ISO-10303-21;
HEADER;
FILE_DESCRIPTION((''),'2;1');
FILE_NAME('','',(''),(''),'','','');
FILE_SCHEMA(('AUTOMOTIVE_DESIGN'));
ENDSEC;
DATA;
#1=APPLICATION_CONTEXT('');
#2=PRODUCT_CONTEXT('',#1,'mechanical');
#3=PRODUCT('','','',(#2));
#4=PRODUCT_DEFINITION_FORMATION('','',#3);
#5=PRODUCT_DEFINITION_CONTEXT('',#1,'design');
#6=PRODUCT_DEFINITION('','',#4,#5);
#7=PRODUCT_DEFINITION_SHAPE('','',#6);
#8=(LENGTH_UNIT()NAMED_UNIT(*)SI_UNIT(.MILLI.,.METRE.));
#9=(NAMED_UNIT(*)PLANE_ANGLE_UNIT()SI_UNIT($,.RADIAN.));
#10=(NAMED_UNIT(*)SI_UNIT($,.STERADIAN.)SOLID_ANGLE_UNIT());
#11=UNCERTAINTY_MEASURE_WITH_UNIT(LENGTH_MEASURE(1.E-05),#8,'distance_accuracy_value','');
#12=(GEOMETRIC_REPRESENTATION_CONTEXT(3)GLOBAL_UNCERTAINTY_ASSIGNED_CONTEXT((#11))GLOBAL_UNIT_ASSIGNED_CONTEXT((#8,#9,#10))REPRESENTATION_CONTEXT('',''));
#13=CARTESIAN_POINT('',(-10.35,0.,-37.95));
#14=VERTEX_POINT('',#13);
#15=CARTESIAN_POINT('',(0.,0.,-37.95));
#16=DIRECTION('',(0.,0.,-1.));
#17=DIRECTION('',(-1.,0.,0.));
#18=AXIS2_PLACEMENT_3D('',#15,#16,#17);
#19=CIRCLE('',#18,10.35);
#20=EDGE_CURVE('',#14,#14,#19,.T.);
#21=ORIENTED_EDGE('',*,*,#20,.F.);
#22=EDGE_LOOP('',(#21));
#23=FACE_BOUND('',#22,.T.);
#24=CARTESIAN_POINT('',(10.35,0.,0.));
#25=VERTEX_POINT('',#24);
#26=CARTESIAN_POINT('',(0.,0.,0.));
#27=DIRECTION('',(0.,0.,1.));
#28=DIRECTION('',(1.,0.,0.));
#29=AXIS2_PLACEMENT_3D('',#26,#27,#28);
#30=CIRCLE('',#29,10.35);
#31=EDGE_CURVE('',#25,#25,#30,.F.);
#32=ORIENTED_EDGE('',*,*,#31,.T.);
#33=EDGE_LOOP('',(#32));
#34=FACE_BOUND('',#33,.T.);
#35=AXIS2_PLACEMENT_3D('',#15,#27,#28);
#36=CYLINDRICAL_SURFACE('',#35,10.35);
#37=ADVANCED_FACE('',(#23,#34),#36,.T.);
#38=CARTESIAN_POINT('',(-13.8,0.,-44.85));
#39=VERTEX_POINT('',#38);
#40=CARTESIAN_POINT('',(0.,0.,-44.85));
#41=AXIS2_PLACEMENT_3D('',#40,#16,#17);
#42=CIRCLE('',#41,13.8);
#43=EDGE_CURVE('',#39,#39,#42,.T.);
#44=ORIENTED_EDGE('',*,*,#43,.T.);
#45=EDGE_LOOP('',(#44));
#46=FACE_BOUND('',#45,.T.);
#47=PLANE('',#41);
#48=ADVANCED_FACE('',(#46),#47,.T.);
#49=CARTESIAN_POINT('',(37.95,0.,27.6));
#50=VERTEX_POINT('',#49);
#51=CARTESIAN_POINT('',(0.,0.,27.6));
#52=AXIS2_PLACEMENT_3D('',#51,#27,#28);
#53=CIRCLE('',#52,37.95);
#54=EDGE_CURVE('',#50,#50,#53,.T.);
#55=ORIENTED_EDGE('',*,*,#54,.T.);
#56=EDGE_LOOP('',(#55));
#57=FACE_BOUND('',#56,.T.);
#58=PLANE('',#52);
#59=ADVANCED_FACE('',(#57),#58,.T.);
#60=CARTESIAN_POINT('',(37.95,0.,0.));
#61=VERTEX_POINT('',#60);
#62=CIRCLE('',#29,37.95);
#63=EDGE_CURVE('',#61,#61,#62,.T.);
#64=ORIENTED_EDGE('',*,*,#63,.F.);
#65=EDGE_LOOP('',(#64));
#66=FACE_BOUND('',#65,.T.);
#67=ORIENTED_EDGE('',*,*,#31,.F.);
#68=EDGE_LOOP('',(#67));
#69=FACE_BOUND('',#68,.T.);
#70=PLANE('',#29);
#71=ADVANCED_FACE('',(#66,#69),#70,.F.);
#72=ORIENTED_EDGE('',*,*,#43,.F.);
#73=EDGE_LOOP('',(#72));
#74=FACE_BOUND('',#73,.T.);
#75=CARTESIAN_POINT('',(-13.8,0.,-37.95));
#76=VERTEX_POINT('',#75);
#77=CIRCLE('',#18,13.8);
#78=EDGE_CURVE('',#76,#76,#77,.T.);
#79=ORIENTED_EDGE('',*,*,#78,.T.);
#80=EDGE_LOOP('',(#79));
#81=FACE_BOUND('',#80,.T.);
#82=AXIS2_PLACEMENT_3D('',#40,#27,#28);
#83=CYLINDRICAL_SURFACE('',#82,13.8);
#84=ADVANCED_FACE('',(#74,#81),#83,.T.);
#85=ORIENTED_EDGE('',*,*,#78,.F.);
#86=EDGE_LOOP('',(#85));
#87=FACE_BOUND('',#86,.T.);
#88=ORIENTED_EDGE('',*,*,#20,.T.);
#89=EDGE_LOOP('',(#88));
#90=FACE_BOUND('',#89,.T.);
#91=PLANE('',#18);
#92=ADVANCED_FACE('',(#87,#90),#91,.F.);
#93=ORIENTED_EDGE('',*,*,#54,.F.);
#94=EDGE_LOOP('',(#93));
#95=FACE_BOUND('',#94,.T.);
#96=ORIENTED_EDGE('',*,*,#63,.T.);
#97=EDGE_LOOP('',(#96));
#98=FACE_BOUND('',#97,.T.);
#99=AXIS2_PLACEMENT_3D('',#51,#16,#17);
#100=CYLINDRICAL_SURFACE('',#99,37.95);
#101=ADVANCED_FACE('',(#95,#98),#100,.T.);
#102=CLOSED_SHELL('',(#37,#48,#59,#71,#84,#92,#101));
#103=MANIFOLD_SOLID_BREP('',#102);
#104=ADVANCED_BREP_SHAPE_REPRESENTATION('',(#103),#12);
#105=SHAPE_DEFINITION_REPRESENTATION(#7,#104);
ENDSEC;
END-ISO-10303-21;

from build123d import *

# Parameters (mm, degrees)
SKETCH_1_R      = 110
EXTRUDE_1_DEPTH = 80
SKETCH_2_R      = 30
EXTRUDE_2_DEPTH = 110
SKETCH_3_R      = 40
EXTRUDE_3_DEPTH = 20
SCALE_1_SCALE   = 0.345


with BuildPart() as part:
    # 草图1 → 凸台-拉伸1 (new body)
    with BuildSketch(Plane.XY):
        Circle(SKETCH_1_R)
    extrude(amount=EXTRUDE_1_DEPTH)

    # 草图2 → 凸台-拉伸2 (add)
    with BuildSketch(Plane(origin=(0, 0, 0), x_dir=(-1, 0, 0), z_dir=(0, 0, -1))):
        with Locations(Location((0, 0, 0), (0, 0, 180))):
            Circle(SKETCH_2_R)
    extrude(amount=EXTRUDE_2_DEPTH)

    # 草图3 → 凸台-拉伸3 (add)
    with BuildSketch(Plane(origin=(0, 0, -110), x_dir=(-1, 0, 0), z_dir=(0, 0, -1))):
        Circle(SKETCH_3_R)
    extrude(amount=EXTRUDE_3_DEPTH)


with BuildPart() as part_1:
    # 缩放比例1: scaled about (0, 0, 0)
    add(part.part.scale(SCALE_1_SCALE))


solid = part_1.part
